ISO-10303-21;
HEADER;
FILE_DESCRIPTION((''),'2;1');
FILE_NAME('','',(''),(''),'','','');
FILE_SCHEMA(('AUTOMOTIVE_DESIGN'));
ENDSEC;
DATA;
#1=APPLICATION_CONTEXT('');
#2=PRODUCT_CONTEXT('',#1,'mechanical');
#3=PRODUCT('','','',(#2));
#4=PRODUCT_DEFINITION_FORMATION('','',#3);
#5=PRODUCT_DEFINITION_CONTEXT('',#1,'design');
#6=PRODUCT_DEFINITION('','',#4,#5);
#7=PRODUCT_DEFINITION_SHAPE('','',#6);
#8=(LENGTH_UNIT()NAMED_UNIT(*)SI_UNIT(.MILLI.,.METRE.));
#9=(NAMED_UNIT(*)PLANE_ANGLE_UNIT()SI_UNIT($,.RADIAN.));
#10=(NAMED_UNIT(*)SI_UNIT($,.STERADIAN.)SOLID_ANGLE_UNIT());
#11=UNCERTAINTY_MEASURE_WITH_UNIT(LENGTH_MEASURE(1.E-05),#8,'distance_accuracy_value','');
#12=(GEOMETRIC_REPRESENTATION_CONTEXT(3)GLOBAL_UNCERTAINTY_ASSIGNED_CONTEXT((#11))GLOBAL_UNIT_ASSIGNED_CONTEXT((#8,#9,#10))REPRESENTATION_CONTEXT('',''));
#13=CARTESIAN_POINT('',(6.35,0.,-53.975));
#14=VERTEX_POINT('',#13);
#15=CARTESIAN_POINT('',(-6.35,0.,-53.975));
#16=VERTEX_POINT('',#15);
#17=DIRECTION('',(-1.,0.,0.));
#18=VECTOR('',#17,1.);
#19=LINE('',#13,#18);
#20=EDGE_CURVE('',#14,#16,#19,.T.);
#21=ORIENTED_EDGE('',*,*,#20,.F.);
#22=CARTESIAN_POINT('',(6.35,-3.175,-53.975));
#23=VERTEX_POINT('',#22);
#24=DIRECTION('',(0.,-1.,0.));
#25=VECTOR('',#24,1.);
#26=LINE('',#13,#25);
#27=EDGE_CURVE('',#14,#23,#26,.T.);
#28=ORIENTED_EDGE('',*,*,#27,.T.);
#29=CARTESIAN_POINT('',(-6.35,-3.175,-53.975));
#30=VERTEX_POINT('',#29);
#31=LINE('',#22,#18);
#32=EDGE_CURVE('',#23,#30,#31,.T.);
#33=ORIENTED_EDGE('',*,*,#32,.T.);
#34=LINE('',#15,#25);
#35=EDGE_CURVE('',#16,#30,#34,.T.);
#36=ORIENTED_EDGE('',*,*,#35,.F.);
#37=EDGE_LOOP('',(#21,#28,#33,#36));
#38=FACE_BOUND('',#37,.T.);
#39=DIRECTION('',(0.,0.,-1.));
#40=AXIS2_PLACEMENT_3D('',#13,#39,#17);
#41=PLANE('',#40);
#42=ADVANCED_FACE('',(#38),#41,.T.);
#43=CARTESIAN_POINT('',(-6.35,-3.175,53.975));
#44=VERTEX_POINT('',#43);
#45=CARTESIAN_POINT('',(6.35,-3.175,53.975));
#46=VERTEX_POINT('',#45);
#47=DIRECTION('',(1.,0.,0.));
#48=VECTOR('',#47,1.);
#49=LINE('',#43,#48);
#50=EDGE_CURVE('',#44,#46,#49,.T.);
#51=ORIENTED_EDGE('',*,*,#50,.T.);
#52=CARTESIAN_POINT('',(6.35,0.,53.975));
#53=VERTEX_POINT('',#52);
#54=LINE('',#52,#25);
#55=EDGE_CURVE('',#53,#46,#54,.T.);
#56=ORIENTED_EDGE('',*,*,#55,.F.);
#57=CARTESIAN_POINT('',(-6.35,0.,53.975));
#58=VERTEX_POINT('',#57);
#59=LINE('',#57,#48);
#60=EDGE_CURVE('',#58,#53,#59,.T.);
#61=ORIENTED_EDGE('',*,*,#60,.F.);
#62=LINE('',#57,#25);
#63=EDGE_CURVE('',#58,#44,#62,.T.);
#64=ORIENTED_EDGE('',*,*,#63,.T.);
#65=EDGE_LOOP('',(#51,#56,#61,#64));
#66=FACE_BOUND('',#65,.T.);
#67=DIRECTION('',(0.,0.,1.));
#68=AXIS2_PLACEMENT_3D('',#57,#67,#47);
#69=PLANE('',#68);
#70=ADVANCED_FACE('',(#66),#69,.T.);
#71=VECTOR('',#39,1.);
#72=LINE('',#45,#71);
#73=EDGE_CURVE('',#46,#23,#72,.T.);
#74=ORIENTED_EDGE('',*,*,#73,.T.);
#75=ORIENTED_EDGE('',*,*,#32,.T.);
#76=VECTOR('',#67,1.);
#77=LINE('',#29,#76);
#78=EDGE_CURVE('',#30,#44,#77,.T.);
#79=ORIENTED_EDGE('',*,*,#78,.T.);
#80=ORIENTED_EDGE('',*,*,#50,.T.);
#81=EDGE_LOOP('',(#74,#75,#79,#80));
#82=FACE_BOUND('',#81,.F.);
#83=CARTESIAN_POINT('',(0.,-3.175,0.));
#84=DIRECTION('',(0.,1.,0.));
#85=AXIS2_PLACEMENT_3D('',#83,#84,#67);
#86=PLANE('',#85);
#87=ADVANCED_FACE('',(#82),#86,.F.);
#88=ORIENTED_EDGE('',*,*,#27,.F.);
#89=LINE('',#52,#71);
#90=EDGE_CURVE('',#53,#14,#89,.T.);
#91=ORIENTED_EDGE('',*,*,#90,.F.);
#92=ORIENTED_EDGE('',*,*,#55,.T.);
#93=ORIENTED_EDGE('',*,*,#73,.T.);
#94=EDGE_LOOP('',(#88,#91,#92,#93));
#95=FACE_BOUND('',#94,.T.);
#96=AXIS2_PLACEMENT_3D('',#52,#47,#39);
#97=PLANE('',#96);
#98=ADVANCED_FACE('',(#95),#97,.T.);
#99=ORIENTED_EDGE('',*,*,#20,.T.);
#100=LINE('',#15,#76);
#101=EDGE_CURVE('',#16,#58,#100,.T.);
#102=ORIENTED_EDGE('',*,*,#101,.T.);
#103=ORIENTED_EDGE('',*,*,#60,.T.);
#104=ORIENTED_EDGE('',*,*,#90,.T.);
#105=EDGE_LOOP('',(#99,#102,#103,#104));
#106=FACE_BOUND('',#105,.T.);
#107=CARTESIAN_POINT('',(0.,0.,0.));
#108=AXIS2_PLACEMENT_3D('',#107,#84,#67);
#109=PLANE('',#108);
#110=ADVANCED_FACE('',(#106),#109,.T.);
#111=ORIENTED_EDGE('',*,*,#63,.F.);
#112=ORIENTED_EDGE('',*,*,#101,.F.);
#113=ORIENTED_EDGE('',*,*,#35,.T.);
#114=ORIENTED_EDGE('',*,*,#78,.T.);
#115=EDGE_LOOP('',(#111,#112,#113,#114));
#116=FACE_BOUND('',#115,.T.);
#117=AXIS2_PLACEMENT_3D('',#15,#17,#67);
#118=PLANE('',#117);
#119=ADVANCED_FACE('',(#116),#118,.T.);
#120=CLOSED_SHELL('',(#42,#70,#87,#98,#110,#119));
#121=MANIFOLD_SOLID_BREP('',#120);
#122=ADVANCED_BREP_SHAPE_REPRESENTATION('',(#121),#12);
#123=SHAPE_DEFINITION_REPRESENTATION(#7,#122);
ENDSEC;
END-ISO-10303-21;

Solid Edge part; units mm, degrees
sketch "Sketch1" plane through (0, 0, 0) normal (0, -1, 0) x (1, 0, 0)
  line L0 (-6.35, 53.975) -> (6.35, 53.975)
  line L1 (6.35, 53.975) -> (6.35, -53.975)
  line L2 (6.35, -53.975) -> (-6.35, -53.975)
  line L3 (-6.35, -53.975) -> (-6.35, 53.975)
  dimension "D1" = 12.7
  dimension "D2" = 107.95
extrude "Protrusion1" add sketch "Sketch1" along normal blind 3.175
properties material "Acrylic, high impact grade"
